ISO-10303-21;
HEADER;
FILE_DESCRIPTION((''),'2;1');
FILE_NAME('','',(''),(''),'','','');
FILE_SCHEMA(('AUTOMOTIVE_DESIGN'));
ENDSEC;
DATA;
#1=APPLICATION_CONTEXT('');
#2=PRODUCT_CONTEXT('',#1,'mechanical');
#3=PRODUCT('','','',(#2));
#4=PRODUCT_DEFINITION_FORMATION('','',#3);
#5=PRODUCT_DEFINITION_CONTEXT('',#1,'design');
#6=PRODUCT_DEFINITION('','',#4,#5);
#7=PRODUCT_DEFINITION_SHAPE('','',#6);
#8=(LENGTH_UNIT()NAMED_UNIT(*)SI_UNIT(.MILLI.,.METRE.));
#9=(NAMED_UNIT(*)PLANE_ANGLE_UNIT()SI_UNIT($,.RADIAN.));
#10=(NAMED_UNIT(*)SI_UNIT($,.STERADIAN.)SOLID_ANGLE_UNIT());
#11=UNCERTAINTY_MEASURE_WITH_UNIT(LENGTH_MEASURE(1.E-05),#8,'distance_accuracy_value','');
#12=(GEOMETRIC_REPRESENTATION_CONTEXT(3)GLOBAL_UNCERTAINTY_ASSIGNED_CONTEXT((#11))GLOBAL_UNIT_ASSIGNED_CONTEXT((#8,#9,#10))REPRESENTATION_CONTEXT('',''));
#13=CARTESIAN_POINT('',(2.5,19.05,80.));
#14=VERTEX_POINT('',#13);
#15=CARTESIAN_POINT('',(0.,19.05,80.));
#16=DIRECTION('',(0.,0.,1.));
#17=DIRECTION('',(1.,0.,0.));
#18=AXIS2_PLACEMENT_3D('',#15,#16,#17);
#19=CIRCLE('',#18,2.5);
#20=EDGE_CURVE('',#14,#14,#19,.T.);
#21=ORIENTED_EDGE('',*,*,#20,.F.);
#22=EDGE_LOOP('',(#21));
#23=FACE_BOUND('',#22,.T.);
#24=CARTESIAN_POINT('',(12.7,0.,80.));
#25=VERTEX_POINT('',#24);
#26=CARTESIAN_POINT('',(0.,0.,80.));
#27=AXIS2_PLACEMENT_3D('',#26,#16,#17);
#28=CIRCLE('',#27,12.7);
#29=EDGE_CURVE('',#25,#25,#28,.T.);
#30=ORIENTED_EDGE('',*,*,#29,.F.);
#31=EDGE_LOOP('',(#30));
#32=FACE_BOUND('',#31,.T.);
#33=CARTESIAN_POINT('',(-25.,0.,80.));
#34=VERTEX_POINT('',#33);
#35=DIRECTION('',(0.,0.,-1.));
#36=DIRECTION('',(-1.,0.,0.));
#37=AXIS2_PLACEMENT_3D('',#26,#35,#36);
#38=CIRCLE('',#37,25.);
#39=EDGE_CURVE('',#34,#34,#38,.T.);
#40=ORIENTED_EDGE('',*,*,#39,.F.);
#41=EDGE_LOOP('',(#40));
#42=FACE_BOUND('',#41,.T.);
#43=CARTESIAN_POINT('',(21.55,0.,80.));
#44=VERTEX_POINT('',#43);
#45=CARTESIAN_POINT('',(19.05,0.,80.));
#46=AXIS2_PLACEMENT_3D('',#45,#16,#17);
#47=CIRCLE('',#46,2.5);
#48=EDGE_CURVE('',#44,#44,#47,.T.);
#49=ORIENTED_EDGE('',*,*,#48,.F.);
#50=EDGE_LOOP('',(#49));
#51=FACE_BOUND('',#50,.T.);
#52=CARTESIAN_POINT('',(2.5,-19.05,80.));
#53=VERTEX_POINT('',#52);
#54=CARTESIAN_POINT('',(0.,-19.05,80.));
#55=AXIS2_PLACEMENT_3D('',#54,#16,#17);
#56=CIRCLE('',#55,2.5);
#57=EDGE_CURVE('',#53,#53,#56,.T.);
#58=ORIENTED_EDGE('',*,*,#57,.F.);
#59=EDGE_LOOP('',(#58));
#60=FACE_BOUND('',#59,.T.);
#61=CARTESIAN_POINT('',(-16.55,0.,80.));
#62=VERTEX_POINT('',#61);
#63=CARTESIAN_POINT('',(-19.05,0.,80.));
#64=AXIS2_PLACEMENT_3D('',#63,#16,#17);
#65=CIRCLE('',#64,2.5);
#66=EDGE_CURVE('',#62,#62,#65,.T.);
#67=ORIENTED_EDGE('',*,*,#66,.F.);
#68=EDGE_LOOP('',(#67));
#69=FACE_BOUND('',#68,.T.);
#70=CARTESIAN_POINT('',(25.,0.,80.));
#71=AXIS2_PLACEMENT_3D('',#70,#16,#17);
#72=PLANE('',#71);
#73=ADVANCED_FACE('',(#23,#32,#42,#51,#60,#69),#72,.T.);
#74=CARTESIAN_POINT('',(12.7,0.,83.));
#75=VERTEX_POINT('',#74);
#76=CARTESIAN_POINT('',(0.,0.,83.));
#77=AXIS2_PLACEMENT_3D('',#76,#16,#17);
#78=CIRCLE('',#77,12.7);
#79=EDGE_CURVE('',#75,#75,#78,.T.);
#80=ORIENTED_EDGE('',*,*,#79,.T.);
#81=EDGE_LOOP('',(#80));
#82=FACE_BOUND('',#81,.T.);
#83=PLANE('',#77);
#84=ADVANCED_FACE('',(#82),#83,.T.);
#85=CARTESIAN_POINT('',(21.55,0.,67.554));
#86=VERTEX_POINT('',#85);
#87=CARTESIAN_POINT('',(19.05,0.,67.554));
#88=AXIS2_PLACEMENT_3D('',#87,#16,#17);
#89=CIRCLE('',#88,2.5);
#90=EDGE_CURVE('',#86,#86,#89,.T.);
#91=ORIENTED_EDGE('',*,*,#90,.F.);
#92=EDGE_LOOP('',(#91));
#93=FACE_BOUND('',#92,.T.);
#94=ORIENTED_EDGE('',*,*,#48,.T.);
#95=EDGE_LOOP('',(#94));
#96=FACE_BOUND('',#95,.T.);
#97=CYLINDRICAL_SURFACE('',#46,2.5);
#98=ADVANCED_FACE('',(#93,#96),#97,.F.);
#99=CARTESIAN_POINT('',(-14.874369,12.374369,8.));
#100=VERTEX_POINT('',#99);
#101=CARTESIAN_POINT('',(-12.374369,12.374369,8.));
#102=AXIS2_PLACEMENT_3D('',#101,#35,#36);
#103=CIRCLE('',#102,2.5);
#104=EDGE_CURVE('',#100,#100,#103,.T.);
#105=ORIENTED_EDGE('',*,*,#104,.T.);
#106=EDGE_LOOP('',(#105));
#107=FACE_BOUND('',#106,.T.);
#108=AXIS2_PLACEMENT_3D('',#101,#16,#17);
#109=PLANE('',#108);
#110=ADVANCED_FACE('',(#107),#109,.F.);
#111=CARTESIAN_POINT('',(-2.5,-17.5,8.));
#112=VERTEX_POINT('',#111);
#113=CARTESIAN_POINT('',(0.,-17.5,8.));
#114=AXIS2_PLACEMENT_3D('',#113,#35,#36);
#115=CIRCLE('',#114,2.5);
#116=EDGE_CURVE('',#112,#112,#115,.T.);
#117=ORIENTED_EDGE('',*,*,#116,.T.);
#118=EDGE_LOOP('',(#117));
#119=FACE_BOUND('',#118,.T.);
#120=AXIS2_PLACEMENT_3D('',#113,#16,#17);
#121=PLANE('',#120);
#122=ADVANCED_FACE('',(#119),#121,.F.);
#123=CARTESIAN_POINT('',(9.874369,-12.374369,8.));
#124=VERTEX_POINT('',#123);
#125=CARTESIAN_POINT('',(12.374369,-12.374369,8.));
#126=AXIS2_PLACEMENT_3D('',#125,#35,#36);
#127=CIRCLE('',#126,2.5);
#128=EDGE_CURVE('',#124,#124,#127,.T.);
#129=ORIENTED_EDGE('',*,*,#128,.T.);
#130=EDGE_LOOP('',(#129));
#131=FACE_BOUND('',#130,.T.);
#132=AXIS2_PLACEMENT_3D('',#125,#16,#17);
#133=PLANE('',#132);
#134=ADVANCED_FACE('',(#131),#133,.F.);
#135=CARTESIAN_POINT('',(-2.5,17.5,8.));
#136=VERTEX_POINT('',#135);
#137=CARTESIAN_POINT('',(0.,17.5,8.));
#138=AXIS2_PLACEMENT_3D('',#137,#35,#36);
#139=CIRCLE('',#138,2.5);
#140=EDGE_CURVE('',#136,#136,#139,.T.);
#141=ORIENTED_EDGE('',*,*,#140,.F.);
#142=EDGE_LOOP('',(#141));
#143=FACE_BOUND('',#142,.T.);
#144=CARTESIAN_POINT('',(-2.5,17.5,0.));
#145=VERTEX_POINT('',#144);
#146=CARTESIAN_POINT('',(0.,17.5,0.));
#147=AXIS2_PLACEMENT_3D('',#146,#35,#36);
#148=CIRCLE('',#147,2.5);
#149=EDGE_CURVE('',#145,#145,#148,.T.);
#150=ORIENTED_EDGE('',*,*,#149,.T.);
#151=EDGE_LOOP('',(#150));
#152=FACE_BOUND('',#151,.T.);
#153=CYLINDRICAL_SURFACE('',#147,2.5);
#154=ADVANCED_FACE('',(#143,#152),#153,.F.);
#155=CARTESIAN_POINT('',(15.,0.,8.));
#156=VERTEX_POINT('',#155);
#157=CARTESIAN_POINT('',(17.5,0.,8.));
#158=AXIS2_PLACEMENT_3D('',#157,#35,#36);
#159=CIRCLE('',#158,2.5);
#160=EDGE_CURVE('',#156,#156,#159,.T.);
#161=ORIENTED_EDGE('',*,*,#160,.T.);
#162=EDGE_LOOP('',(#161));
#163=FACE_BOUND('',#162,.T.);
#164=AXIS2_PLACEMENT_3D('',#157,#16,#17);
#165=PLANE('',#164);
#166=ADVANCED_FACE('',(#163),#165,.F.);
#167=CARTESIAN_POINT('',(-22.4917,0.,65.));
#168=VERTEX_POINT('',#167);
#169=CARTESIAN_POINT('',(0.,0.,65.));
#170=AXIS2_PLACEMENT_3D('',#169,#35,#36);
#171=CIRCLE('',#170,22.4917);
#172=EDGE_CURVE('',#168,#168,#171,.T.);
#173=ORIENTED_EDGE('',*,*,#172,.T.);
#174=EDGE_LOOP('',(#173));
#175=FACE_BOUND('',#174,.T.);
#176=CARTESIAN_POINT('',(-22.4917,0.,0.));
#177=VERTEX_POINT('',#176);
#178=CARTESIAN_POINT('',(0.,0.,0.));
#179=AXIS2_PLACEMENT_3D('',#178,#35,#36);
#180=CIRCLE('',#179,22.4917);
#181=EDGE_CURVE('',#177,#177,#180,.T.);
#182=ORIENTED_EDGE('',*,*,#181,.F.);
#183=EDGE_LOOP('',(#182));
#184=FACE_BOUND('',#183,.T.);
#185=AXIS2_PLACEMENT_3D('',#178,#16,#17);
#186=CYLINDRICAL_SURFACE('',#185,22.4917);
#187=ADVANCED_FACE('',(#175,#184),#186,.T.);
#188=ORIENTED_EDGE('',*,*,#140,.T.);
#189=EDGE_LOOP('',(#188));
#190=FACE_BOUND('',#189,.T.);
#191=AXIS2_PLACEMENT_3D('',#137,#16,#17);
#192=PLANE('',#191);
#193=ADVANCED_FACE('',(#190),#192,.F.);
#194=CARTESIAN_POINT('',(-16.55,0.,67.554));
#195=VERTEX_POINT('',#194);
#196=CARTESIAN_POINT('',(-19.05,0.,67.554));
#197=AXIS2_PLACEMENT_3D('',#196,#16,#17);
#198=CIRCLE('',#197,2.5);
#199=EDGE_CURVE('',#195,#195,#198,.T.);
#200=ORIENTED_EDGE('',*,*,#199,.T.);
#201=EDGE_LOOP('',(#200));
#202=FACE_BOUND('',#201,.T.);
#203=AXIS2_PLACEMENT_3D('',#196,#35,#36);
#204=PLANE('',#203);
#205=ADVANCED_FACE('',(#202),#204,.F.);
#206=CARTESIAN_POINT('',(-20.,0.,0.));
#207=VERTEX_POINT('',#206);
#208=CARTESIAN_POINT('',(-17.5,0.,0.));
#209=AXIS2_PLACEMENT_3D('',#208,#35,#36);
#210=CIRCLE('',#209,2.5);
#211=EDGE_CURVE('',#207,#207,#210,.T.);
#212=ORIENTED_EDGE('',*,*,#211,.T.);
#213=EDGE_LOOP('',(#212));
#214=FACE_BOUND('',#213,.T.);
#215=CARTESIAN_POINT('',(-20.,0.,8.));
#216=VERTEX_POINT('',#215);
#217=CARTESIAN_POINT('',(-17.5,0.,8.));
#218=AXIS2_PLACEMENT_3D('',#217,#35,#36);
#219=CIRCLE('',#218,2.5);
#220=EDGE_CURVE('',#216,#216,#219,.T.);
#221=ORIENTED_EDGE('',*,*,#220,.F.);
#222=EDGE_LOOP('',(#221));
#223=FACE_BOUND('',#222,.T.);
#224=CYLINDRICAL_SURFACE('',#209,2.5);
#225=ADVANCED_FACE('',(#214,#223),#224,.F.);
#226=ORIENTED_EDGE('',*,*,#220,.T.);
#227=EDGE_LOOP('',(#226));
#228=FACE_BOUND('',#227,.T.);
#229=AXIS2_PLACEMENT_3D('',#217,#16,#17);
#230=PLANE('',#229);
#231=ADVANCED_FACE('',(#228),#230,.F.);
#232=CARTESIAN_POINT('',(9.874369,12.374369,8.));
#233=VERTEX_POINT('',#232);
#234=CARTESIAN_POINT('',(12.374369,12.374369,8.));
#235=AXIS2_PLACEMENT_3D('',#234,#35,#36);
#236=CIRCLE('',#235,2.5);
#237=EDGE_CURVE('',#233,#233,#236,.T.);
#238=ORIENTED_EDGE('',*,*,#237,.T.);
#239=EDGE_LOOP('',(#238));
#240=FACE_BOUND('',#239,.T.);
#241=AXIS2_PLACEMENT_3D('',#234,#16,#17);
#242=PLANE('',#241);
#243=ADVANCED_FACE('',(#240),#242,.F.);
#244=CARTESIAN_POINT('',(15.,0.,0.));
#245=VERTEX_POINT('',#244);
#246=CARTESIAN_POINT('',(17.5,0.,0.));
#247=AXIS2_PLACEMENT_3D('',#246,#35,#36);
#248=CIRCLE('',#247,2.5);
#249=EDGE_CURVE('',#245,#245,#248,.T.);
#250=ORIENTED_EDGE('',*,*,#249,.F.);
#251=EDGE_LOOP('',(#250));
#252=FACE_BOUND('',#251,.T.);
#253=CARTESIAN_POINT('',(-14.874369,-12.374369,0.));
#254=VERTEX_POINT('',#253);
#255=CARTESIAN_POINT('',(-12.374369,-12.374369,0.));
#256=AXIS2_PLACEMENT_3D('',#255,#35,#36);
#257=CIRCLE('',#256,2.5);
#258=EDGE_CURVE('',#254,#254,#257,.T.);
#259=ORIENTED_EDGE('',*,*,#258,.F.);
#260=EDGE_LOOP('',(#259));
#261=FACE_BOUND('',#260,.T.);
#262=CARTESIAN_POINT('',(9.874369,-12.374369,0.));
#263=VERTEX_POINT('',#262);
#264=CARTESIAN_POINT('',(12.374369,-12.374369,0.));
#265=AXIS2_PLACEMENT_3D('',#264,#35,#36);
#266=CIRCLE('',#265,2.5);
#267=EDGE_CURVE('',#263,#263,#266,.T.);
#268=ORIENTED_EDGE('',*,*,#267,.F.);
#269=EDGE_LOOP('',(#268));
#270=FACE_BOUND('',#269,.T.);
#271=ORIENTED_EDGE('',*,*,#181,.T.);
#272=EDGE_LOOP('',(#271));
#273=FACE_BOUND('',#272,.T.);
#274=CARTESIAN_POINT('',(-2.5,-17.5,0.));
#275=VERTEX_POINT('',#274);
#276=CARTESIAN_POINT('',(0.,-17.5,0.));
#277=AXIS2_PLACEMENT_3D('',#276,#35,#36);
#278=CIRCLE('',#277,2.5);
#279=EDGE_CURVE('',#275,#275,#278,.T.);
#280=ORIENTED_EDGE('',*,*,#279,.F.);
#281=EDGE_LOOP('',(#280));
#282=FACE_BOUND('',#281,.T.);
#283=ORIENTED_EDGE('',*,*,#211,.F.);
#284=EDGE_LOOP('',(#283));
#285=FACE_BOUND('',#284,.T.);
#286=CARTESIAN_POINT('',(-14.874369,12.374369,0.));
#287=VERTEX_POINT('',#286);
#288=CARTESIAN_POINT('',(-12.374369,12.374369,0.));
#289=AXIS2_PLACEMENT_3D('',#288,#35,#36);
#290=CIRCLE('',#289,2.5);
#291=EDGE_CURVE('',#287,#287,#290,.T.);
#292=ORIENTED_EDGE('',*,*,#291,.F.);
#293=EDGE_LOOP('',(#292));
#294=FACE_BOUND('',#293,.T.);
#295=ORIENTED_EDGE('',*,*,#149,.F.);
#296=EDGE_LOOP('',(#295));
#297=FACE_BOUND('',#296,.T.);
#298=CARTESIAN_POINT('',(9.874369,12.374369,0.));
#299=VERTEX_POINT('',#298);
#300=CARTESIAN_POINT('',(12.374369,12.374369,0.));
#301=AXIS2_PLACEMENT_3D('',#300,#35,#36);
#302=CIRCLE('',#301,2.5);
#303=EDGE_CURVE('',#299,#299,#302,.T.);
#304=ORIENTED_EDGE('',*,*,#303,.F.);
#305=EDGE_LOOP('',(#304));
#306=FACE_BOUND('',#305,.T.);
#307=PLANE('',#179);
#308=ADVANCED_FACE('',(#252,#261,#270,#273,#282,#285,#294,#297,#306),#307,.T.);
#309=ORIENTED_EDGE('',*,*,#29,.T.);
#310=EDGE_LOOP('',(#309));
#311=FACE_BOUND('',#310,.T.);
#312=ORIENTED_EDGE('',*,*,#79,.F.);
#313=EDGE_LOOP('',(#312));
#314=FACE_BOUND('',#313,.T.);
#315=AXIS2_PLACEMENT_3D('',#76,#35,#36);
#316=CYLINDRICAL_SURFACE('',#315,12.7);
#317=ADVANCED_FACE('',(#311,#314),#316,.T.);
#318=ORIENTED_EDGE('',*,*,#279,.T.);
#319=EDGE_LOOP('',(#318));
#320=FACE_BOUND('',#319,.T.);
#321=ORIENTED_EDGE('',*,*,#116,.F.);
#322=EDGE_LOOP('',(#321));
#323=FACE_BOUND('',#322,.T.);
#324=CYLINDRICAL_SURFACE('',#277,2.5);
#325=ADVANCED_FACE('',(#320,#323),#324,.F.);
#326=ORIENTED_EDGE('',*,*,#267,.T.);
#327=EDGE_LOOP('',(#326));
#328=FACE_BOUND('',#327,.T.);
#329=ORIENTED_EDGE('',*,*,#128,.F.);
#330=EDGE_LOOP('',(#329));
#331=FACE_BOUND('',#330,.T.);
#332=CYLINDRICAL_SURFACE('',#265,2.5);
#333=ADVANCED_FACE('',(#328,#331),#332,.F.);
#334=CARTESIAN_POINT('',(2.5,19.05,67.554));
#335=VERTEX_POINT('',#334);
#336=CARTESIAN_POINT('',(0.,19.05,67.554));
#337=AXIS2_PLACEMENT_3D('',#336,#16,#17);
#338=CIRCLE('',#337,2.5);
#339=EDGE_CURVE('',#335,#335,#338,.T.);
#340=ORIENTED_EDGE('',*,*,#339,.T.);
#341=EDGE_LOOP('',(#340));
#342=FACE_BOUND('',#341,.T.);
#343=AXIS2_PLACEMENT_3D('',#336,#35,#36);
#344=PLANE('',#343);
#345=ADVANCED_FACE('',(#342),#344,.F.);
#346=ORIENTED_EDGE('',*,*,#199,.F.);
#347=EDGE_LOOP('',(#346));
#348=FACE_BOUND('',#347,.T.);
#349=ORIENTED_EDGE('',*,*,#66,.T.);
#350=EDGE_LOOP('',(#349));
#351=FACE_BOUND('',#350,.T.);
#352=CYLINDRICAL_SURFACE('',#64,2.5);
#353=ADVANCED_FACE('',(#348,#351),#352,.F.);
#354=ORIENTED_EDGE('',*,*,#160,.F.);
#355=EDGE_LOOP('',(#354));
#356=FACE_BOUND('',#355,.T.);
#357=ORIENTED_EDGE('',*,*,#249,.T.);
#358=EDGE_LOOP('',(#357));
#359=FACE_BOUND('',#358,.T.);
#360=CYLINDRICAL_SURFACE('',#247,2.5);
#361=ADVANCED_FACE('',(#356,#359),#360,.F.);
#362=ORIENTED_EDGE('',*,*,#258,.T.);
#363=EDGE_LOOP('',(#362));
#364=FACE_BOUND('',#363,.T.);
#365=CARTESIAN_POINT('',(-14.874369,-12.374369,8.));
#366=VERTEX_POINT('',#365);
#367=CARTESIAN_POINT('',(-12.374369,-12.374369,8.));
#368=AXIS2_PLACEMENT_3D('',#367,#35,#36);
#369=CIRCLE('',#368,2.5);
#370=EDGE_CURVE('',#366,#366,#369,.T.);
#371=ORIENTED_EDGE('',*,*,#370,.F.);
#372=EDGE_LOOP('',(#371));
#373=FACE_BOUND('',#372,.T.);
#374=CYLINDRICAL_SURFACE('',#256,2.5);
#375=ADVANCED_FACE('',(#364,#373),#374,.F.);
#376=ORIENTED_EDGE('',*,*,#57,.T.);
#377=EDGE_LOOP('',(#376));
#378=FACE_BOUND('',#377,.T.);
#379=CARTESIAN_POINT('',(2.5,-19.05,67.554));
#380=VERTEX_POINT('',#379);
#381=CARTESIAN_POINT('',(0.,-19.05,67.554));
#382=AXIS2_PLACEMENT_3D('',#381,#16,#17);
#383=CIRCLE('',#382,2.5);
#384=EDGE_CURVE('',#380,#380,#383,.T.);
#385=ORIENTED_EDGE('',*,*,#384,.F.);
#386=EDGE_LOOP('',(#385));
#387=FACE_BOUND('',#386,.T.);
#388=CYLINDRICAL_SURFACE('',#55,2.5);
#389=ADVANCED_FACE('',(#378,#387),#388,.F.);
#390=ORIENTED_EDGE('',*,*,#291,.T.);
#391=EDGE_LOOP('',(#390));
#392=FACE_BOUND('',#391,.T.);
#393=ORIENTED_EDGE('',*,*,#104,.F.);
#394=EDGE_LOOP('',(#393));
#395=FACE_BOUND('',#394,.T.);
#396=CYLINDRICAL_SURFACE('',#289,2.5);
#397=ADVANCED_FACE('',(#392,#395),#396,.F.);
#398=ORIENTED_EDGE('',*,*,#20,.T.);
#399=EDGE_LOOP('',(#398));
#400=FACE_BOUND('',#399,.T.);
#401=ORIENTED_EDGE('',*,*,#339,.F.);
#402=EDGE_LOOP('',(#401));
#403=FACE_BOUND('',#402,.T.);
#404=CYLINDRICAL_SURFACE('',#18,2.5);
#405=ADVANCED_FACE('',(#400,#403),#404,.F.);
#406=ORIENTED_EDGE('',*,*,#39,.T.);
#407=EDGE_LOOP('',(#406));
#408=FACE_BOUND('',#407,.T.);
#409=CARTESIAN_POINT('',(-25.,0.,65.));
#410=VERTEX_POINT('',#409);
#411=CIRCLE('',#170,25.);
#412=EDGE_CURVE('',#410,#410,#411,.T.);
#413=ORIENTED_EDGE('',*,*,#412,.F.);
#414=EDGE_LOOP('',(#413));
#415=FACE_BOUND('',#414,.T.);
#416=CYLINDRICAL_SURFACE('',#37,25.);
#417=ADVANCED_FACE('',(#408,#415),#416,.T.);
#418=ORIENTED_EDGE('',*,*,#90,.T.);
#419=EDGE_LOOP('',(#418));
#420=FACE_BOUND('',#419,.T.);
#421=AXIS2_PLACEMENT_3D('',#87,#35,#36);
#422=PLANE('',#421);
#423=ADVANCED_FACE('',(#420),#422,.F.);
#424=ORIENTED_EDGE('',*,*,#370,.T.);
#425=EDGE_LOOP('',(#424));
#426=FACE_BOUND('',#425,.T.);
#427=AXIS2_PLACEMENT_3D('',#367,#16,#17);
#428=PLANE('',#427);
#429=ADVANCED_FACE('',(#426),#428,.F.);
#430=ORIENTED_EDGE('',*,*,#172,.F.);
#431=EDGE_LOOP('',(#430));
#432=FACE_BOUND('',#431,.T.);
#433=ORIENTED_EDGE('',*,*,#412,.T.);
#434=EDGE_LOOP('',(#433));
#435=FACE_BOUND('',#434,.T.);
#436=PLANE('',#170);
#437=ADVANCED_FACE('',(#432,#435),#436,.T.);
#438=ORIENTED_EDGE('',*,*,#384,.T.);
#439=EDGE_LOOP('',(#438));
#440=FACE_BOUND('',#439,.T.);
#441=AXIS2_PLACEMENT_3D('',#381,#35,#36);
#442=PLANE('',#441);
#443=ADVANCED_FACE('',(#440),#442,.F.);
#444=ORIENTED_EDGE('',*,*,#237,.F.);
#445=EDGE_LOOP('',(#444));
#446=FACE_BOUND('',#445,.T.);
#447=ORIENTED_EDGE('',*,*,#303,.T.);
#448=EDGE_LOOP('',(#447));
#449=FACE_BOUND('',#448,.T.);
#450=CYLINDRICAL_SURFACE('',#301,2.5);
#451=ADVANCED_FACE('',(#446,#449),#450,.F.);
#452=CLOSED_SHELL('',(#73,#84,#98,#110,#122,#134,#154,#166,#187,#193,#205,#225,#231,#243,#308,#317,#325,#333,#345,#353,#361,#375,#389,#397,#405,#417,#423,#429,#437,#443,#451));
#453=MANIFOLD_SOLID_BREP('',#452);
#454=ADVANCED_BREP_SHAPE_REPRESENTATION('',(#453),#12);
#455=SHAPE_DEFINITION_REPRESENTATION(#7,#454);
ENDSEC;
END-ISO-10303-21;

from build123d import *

# Parameters (mm, degrees)
SKETCH1_W                  = 25
SKETCH1_H                  = 15
SKETCH2_R                  = 12.7
BOSS_EXTRUDE1_DEPTH        = 3
SKETCH3_R                  = 22.4917
BOSS_EXTRUDE2_DEPTH        = 65
F_10_CLEARANCE_HOLE1_D     = 5
F_10_CLEARANCE_HOLE1_DEPTH = 8
F_10_CLEARANCE_HOLE2_D     = 5
F_10_CLEARANCE_HOLE2_DEPTH = 12.446


with BuildPart() as part:
    # Sketch1 → Revolve1 (revolve)
    with BuildSketch(Plane.XZ):
        with Locations((12.5, 72.5)):
            Rectangle(SKETCH1_W, SKETCH1_H)
    revolve(axis=Axis((0, 0, 80), (0, 0, -1)))

    # Sketch2 → Boss-Extrude1 (add)
    with BuildSketch(Plane.XY.offset(80)):
        Circle(SKETCH2_R)
    extrude(amount=BOSS_EXTRUDE1_DEPTH)

    # Sketch3 → Boss-Extrude2 (add)
    with BuildSketch(Plane(origin=(0, 0, 65), x_dir=(-1, 0, 0), z_dir=(0, 0, -1))):
        Circle(SKETCH3_R)
    extrude(amount=BOSS_EXTRUDE2_DEPTH)

    # #10 Clearance Hole1
    with Locations(Plane(origin=(0, 0, 0), x_dir=(-1, 0, 0), z_dir=(0, 0, -1))):
        with Locations((-12.374368671, 12.374368671), (-17.5, 0), (-12.374368671, -12.374368671), (0, -17.5), (12.374368671, -12.374368671), (17.5, 0), (12.374368671, 12.374368671), (0, 17.5)):
            Hole(F_10_CLEARANCE_HOLE1_D / 2, depth=F_10_CLEARANCE_HOLE1_DEPTH)

    # #10 Clearance Hole2
    with Locations(Plane.XY.offset(80)):
        with Locations((-19.05, 0), (0, -19.05), (19.05, 0), (0, 19.05)):
            Hole(F_10_CLEARANCE_HOLE2_D / 2, depth=F_10_CLEARANCE_HOLE2_DEPTH)


solid = part.part
